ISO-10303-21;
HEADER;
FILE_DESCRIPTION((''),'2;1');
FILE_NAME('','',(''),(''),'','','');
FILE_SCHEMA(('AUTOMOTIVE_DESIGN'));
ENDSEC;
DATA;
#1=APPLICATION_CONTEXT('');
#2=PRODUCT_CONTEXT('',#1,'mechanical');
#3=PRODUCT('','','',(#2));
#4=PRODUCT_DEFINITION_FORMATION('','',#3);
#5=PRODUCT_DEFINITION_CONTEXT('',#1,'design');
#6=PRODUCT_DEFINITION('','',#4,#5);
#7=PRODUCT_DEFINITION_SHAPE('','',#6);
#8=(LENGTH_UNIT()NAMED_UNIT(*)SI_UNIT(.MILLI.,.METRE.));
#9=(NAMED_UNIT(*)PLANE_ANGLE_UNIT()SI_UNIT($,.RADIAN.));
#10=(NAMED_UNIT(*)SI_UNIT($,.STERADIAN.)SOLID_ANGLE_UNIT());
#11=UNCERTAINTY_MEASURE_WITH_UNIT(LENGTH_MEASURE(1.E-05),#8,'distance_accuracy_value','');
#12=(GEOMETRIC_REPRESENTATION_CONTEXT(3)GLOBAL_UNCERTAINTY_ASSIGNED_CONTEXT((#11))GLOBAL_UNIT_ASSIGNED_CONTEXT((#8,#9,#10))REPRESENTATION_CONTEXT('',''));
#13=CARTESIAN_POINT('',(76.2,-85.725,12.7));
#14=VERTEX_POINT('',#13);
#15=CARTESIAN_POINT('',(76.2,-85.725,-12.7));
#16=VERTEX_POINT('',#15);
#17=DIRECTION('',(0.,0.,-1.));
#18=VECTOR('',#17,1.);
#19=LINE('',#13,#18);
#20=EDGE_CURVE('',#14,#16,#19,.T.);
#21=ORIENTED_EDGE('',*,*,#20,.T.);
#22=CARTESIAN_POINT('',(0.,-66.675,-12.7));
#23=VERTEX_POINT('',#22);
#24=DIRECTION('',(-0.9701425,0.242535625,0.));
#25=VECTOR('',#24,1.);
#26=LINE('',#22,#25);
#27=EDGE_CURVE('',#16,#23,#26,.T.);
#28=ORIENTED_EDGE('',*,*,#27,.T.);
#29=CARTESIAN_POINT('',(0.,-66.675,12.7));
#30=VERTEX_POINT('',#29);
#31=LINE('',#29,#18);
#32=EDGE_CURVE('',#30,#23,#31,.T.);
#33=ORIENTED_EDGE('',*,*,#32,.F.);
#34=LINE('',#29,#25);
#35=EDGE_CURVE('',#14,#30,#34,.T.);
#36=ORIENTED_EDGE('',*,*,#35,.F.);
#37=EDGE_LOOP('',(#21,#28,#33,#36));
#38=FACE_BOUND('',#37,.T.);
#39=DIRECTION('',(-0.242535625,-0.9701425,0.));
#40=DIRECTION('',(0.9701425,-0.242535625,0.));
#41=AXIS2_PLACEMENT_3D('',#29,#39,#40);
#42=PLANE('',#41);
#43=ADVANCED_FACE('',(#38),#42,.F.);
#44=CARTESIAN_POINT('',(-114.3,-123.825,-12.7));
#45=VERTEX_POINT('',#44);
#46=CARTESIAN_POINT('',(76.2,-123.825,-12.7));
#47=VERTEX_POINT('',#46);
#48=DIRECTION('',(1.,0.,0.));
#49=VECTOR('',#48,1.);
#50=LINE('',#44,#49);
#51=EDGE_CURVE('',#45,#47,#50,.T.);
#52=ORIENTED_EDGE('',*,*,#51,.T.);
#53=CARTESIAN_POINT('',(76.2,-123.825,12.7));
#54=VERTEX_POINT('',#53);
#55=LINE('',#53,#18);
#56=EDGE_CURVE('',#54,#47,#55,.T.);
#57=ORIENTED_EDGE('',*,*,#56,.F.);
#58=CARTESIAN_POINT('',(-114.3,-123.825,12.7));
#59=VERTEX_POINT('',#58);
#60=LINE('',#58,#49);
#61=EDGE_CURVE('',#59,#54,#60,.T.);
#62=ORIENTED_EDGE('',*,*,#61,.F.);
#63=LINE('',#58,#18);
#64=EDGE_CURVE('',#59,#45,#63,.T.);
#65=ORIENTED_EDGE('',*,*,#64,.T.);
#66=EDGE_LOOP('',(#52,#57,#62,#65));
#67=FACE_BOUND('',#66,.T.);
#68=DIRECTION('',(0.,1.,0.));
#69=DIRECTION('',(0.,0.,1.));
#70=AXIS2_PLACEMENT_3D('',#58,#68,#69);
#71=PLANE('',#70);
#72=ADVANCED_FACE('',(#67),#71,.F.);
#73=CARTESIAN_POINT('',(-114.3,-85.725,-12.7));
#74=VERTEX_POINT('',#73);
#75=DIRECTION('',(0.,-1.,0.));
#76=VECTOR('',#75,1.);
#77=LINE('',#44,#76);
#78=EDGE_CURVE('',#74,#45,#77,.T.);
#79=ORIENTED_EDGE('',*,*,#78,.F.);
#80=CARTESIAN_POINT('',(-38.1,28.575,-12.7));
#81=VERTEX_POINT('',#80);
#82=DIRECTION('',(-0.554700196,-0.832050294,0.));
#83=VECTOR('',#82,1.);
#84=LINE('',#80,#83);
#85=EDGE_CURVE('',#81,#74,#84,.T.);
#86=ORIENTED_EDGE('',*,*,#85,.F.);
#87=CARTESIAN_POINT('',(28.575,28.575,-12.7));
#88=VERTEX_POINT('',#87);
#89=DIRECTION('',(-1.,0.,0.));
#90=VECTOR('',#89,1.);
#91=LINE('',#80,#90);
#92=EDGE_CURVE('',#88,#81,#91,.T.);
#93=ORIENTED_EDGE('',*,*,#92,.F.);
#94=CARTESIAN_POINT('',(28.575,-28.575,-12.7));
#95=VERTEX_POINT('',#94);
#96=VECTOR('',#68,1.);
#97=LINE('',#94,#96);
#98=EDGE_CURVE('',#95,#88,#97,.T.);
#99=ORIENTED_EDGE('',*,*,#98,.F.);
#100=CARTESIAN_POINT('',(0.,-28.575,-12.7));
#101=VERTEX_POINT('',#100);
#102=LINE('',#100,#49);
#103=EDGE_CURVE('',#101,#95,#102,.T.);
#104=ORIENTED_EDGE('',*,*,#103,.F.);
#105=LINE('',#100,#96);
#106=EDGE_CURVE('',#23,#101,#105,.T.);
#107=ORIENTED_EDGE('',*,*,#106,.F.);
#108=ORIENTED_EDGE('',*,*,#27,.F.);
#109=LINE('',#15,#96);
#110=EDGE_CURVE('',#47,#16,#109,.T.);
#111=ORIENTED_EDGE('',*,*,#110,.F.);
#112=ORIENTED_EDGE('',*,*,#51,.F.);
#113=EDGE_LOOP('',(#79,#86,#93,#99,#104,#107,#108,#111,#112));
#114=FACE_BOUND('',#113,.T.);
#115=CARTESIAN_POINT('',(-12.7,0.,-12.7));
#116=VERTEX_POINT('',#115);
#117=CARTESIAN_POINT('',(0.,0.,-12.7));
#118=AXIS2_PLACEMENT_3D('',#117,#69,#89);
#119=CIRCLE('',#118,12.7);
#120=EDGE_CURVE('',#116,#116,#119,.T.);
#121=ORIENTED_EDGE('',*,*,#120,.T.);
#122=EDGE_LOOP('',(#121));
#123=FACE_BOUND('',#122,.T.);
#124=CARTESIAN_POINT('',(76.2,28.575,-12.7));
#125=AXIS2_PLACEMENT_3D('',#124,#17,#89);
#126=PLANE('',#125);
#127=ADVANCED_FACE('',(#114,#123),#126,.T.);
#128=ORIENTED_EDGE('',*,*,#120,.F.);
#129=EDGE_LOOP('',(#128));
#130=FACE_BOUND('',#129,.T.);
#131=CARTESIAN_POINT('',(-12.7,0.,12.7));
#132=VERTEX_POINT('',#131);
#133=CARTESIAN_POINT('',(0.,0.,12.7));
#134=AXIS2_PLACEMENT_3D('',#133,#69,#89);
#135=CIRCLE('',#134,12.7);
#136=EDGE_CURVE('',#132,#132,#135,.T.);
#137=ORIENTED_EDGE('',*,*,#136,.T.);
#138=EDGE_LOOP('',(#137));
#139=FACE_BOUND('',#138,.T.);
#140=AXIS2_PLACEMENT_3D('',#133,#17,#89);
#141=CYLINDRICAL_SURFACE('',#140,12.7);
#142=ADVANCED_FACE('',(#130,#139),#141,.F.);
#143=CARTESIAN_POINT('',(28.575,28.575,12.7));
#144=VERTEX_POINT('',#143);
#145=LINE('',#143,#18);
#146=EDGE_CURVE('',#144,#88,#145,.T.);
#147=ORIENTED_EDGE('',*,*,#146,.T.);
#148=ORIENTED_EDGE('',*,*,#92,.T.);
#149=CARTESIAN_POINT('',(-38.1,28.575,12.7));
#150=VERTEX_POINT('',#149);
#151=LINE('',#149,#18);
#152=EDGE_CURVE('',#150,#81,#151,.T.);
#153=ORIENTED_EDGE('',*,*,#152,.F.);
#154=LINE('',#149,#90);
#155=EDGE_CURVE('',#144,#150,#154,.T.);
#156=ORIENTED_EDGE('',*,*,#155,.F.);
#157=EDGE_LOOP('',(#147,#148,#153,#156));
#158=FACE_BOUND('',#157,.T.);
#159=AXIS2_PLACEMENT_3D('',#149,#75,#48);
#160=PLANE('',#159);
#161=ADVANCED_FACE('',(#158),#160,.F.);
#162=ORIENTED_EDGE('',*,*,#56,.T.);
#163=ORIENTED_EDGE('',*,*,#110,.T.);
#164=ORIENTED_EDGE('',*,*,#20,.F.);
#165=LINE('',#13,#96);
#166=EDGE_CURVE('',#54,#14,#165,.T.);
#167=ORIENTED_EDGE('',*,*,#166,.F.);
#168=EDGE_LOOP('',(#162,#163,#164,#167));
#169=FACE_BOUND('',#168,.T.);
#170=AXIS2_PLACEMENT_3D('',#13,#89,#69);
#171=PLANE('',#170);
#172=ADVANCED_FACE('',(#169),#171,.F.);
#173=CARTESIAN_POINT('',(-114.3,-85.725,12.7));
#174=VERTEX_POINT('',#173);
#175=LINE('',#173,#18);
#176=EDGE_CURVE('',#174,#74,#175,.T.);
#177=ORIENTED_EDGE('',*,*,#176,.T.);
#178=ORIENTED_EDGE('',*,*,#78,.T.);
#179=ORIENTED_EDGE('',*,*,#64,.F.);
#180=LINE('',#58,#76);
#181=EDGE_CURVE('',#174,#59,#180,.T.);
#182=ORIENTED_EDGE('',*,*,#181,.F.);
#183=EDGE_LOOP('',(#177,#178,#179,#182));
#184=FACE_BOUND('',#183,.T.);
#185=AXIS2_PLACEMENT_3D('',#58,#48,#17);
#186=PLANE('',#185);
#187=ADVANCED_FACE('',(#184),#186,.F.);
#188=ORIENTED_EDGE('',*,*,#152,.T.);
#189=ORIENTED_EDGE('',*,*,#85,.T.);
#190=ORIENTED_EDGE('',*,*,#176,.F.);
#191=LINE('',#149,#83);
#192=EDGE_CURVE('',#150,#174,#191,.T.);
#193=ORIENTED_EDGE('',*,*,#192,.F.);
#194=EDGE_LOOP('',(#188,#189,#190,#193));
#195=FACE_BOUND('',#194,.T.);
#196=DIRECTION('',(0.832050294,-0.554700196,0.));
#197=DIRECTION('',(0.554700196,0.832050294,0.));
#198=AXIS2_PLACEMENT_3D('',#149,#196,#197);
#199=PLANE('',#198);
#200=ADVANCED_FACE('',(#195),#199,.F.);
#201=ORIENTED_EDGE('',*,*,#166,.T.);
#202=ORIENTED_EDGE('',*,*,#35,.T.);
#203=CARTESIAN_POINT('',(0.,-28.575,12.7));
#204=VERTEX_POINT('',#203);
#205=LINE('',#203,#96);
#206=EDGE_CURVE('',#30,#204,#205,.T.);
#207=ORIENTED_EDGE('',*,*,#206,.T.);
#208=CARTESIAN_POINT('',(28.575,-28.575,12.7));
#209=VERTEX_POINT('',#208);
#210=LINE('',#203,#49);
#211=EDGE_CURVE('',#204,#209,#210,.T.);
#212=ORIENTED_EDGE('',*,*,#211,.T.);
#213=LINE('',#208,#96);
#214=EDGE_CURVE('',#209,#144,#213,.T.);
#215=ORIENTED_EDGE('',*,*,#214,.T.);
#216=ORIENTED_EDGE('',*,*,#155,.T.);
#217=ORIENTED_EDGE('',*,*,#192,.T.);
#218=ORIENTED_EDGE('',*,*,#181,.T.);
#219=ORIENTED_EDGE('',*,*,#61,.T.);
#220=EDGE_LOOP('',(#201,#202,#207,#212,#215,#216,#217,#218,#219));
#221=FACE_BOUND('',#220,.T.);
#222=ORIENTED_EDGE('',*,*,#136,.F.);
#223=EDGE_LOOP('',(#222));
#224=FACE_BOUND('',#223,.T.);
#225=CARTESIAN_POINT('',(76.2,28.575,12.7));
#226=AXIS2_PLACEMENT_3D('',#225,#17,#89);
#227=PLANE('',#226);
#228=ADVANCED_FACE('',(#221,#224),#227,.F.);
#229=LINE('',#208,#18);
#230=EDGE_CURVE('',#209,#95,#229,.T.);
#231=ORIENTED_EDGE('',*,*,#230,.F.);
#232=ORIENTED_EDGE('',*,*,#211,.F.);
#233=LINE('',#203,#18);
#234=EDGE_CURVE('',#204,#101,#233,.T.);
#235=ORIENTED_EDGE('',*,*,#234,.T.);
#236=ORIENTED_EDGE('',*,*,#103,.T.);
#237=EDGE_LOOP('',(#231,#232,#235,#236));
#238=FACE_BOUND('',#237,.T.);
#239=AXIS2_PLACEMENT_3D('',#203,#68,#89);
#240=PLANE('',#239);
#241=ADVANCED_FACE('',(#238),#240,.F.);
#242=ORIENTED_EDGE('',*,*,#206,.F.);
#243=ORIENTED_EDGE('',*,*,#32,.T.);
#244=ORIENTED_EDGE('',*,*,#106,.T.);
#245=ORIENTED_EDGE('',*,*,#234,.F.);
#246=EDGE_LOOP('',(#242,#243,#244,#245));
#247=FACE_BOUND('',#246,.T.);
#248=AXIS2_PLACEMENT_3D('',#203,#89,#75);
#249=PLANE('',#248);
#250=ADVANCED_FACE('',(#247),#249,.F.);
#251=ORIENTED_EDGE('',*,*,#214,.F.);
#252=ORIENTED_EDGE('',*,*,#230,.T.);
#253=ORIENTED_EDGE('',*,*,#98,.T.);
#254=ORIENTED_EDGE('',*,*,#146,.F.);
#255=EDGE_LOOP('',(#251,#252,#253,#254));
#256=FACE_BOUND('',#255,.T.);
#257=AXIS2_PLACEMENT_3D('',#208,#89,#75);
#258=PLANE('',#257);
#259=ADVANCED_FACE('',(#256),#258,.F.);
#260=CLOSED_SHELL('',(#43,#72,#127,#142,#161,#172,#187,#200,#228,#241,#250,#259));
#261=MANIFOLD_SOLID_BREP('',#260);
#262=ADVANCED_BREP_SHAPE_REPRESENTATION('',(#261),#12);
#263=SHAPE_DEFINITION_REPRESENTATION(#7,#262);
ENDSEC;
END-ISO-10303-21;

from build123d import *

# Parameters (mm, degrees)
SKETCH2_R      = 12.7
EXTRUDE1_DEPTH = 12.7


with BuildPart() as part:
    # Sketch2 → Extrude1 (new, symmetric)
    with BuildSketch(Plane.XY):
        Polygon((0, -28.575), (0, -66.675), (76.2, -85.725), (76.2, -123.825), (-114.3, -123.825), (-114.3, -85.725), (-38.1, 28.575), (28.575, 28.575), (28.575, -28.575), align=None)
        Circle(SKETCH2_R, mode=Mode.SUBTRACT)
    extrude(amount=EXTRUDE1_DEPTH, both=True)


solid = part.part
